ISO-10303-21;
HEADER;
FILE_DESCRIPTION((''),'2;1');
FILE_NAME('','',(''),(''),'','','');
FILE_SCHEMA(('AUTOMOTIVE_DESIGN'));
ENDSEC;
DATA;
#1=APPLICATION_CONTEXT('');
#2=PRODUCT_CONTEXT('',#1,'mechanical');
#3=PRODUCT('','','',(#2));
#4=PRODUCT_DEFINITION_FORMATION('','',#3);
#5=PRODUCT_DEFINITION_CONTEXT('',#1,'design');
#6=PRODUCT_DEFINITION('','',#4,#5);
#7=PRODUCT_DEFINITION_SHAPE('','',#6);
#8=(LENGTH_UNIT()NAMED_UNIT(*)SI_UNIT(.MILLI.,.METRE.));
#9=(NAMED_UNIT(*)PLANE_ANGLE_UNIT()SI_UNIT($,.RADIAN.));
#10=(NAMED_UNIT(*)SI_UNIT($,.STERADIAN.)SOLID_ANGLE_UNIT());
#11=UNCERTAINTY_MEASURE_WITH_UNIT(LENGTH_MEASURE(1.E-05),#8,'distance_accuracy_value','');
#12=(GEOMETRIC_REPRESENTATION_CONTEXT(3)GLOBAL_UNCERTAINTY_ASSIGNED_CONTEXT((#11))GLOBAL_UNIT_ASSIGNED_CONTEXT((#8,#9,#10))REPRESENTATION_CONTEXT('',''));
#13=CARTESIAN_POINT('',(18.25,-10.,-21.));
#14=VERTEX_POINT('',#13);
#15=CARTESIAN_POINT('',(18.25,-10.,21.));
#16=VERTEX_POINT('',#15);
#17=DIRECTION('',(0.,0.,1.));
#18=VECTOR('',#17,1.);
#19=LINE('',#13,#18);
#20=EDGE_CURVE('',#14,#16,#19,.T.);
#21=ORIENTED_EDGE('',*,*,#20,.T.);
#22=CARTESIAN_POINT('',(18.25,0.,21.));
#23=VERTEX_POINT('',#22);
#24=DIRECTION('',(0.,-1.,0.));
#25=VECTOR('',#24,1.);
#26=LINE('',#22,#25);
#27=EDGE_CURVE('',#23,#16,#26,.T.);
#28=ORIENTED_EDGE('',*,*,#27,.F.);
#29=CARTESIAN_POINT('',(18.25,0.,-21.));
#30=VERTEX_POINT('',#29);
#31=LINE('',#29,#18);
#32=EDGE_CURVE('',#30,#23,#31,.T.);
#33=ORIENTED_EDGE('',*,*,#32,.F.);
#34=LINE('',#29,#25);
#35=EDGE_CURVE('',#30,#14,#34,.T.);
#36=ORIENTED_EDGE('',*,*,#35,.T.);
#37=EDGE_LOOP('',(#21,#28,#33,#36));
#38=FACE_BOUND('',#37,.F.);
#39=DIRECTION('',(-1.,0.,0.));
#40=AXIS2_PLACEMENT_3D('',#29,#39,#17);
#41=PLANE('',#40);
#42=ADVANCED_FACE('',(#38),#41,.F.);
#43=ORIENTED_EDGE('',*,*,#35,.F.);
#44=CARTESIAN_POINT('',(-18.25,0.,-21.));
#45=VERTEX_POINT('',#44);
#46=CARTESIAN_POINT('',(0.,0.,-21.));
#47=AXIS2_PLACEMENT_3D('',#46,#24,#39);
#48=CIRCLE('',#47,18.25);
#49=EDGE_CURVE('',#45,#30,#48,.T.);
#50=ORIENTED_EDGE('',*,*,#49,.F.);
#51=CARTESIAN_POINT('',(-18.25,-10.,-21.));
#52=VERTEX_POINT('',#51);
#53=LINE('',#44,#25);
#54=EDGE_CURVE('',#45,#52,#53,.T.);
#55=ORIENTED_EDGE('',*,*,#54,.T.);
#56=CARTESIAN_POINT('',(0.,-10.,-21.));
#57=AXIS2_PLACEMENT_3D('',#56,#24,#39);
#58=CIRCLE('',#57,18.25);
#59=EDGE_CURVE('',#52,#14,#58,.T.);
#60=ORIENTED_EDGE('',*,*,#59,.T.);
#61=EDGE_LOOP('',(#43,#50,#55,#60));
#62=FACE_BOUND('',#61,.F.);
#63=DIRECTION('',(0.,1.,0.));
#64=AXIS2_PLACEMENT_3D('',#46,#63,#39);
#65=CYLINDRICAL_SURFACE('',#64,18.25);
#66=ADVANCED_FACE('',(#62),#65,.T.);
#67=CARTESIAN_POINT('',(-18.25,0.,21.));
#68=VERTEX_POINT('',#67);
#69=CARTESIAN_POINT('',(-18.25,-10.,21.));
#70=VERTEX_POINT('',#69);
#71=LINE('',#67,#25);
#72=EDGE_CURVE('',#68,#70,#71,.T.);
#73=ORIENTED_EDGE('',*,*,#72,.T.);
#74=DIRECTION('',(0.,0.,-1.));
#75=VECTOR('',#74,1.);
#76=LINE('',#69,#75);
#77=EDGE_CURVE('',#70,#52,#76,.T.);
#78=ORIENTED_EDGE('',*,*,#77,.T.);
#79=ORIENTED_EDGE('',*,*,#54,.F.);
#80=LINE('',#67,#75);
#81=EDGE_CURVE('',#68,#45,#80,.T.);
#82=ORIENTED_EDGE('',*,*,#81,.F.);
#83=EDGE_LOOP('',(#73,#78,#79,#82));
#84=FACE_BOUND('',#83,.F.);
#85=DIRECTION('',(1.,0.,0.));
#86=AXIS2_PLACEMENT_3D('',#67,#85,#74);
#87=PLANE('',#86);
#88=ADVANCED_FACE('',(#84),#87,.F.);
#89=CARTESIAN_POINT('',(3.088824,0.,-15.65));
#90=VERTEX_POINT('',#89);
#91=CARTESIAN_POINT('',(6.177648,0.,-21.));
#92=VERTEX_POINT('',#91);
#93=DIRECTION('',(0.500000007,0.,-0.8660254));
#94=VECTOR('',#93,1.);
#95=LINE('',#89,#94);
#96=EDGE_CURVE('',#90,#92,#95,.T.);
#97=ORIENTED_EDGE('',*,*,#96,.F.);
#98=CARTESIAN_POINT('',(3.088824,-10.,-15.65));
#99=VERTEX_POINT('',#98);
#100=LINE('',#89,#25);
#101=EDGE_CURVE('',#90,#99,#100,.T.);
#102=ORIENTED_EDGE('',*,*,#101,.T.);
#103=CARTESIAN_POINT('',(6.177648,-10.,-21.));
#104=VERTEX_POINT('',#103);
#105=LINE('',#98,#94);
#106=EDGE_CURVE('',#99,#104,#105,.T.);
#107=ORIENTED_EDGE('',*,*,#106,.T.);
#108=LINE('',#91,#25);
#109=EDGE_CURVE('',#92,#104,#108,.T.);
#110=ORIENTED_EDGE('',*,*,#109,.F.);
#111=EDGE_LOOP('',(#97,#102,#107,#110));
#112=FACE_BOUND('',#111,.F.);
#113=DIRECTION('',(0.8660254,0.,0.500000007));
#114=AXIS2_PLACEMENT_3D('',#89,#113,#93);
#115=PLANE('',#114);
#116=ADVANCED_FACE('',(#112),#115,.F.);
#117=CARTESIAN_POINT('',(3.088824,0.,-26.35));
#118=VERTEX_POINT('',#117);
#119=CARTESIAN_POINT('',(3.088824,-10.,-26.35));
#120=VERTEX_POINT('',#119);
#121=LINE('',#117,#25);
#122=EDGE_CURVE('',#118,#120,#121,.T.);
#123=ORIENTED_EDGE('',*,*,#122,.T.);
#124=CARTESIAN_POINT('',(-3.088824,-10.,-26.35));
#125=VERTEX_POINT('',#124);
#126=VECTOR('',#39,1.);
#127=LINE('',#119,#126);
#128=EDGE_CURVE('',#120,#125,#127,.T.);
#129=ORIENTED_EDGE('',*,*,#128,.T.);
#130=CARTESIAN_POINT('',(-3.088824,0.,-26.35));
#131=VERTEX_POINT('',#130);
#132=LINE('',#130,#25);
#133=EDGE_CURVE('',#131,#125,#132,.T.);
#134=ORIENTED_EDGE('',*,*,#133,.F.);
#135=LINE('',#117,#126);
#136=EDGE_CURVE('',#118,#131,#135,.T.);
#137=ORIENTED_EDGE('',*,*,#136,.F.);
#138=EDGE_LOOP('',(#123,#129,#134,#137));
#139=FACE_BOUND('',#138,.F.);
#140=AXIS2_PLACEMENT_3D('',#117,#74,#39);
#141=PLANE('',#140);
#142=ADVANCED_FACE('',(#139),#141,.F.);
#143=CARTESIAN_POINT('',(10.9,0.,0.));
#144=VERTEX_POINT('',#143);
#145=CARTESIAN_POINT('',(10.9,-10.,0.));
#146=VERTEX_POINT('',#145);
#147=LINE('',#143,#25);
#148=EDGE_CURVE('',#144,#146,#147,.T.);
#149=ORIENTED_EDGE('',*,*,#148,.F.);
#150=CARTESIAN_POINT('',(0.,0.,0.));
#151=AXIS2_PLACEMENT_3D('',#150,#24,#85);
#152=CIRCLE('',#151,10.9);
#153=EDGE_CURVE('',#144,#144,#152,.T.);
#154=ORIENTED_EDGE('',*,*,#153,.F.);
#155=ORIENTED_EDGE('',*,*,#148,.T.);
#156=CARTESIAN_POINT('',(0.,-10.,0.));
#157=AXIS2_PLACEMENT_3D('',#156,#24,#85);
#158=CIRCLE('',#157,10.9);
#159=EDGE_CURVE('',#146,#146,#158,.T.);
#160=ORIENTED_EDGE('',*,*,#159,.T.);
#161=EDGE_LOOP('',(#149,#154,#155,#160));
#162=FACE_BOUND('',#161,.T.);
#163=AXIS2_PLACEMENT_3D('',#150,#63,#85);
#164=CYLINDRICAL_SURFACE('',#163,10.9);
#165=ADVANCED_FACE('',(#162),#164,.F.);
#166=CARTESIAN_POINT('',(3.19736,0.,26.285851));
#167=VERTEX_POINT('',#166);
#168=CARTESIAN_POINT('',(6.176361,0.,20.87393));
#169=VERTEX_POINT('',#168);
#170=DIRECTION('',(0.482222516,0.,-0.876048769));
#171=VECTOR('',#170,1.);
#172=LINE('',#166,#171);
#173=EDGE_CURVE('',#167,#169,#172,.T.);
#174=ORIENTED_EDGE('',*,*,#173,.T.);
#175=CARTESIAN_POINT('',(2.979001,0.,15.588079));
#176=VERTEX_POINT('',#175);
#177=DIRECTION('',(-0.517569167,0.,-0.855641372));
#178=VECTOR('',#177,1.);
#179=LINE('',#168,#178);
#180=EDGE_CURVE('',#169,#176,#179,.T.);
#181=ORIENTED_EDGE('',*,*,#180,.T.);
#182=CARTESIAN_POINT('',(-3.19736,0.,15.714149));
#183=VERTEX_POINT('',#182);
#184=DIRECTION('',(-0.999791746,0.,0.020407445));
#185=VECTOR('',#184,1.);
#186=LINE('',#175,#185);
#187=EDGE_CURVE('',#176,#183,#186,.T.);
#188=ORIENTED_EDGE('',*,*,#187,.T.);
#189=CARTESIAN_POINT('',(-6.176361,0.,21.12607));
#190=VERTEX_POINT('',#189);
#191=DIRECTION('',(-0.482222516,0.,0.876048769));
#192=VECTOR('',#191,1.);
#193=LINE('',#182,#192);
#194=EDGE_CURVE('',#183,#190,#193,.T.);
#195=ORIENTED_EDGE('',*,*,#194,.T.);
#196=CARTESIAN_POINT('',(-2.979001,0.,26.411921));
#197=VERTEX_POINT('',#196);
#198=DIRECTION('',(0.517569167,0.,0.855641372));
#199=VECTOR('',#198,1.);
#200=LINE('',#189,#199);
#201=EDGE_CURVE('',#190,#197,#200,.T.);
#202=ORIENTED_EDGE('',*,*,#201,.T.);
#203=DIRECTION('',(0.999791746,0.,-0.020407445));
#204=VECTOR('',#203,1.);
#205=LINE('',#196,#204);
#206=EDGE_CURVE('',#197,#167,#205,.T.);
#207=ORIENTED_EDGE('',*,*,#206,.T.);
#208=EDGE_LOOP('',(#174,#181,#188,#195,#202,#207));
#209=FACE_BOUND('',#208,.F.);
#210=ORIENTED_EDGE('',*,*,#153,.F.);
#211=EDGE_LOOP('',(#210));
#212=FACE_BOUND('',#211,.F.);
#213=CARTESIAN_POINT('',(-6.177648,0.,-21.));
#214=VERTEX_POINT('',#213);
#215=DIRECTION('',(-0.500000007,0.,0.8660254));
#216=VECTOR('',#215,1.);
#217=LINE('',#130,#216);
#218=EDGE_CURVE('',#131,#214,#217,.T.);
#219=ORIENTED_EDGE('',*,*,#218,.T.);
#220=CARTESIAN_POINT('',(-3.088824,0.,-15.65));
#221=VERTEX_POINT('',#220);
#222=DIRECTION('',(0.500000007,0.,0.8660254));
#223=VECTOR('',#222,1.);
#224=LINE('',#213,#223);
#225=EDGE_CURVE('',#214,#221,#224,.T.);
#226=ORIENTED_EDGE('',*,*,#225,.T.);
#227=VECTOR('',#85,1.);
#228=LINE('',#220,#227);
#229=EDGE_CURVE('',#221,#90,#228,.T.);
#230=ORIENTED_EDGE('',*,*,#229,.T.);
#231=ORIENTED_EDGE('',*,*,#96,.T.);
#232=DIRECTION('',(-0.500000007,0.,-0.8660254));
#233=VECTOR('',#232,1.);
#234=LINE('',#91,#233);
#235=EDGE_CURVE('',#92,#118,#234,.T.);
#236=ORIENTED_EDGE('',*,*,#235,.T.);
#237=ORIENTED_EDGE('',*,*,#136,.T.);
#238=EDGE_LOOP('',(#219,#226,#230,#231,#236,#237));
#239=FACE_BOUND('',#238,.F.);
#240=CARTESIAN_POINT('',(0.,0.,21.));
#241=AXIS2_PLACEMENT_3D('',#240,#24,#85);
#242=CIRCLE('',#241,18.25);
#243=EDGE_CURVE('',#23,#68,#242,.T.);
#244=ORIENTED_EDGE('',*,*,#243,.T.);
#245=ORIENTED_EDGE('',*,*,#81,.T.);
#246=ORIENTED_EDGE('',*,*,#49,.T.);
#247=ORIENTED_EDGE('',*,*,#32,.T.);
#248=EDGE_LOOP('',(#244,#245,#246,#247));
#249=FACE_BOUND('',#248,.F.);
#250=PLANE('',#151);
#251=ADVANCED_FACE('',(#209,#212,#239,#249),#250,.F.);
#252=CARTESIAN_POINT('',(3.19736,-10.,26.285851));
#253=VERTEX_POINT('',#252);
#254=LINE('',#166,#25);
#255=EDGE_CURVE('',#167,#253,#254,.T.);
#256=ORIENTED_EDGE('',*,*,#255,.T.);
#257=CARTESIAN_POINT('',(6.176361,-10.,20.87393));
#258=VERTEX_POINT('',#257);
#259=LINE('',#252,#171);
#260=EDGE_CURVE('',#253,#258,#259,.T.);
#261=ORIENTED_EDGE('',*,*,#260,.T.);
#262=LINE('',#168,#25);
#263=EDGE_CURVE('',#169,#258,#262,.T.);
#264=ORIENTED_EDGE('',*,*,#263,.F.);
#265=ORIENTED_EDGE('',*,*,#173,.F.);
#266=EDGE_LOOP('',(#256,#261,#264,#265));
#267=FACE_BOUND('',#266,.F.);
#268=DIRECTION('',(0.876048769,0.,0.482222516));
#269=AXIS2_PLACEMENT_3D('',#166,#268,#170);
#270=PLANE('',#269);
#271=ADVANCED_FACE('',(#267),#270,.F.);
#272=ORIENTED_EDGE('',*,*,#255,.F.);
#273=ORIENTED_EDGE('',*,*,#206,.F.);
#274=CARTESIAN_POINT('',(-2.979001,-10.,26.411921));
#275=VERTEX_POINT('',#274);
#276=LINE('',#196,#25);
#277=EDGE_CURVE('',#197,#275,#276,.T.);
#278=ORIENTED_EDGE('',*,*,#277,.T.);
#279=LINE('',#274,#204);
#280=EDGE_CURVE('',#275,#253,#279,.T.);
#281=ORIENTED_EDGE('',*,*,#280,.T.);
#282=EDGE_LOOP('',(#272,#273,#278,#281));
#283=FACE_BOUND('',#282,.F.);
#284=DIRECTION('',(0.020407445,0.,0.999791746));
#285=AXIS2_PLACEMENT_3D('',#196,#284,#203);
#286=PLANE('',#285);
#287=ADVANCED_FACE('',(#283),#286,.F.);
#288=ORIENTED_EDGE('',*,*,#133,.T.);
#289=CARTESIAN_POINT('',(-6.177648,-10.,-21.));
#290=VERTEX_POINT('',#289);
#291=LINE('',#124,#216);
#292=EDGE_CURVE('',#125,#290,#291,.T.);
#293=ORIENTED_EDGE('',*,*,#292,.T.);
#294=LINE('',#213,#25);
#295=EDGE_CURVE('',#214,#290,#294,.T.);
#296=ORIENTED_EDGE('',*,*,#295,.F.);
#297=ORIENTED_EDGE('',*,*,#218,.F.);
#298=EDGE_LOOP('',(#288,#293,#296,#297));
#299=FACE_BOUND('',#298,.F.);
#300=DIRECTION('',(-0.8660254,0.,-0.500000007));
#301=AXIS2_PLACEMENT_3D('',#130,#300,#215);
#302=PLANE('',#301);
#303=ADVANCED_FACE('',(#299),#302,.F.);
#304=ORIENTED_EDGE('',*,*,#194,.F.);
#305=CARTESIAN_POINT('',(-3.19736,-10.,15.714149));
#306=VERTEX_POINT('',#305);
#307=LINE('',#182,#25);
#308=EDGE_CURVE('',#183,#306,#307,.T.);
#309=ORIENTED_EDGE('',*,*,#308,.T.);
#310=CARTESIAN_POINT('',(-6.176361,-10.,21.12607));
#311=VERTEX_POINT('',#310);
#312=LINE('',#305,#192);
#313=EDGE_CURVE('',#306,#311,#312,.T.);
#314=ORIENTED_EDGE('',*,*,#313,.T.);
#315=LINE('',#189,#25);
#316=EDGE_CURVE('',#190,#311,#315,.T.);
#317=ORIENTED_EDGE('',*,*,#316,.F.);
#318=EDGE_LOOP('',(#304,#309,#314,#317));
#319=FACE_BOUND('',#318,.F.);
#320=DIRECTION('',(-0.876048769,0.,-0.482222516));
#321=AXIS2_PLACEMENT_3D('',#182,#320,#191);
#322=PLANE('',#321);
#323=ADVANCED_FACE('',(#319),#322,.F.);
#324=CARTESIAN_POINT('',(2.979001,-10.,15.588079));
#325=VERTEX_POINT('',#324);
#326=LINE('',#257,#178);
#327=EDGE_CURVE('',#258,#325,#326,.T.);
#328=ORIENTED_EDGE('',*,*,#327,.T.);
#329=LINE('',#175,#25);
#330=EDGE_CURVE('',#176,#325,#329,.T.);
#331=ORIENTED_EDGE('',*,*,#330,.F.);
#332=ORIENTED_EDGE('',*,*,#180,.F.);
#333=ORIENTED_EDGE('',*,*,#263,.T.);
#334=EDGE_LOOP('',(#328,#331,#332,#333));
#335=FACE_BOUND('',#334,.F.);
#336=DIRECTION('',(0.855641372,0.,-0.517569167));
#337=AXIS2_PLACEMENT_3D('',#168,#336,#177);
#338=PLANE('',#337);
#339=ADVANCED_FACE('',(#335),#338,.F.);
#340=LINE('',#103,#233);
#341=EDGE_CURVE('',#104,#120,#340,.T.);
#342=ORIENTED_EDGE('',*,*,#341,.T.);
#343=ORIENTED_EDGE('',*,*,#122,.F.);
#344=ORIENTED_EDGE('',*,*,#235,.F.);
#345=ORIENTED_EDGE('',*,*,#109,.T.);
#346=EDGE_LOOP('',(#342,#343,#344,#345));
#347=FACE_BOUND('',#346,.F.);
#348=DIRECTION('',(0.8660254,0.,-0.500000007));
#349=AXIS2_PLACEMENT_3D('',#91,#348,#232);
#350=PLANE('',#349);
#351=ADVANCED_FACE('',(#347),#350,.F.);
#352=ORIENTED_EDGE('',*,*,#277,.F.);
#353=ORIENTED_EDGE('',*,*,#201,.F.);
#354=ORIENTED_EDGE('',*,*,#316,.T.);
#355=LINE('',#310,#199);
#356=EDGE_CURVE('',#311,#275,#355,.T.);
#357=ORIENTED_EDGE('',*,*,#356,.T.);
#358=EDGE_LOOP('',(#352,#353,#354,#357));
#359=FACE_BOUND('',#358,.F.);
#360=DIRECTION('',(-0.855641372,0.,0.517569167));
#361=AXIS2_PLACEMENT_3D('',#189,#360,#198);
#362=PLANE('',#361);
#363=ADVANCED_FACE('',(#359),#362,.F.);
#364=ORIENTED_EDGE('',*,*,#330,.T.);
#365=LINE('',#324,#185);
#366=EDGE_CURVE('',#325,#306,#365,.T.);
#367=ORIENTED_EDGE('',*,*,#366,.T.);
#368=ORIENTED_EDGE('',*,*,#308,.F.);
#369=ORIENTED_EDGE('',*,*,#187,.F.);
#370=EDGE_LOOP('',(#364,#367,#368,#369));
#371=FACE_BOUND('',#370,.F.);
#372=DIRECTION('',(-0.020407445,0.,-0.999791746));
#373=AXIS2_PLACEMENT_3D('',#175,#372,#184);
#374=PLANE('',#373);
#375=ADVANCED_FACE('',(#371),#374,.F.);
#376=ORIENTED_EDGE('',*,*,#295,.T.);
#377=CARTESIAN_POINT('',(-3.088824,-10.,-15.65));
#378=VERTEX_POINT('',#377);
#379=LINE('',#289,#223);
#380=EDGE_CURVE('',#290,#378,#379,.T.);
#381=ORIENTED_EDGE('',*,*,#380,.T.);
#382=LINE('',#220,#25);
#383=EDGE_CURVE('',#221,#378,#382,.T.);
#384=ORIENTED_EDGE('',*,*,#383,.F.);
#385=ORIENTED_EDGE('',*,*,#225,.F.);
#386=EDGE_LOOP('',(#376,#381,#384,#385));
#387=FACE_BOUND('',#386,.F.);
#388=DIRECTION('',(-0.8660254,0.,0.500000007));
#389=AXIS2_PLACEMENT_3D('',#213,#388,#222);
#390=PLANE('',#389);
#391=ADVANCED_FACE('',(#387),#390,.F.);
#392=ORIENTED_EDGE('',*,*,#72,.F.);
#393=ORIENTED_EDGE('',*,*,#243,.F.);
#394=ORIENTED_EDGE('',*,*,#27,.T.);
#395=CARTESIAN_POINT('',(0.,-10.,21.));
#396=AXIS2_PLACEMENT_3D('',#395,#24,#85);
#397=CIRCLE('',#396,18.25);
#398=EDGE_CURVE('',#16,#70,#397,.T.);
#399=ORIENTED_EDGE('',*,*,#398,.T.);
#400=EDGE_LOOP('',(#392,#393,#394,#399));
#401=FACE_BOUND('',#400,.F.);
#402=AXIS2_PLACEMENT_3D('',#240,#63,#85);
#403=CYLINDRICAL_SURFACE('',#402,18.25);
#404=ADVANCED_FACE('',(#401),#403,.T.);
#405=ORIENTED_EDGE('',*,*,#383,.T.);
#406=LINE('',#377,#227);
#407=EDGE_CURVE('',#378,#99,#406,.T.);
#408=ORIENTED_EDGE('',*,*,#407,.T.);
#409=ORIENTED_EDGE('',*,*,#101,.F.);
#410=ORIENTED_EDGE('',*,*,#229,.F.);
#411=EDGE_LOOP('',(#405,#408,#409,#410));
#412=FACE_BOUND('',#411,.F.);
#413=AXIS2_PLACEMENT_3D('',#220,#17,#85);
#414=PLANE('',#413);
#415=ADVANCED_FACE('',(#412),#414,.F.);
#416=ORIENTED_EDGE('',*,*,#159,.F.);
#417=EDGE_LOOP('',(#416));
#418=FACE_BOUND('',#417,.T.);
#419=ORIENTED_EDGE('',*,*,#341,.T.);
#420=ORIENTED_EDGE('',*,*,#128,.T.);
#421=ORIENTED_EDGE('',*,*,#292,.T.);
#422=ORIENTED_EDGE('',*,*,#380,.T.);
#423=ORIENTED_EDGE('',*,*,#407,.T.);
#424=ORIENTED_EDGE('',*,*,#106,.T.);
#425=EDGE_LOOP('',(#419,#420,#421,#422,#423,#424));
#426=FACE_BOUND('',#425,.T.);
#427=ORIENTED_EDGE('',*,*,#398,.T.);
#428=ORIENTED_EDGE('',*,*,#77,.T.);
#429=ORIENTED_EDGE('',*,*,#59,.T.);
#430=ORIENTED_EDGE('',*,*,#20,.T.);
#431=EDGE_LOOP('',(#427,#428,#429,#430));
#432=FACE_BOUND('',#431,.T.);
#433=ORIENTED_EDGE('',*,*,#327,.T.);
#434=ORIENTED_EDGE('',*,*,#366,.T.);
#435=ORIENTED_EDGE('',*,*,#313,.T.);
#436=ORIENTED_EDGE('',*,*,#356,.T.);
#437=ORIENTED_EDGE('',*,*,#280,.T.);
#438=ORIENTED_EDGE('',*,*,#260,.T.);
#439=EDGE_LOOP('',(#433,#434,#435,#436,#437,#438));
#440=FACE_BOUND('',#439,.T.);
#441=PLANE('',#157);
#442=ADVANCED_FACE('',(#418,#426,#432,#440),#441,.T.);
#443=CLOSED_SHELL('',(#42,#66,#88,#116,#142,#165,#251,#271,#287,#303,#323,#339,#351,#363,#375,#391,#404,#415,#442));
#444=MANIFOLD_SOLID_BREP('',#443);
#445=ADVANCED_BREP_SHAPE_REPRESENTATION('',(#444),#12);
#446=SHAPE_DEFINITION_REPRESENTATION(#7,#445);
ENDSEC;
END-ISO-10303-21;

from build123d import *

# Parameters (mm, degrees)
F0_R     = 10.9
F1_DEPTH = 10


with BuildPart() as f1:
    # F0 (on Front) → F1 (new body)
    with BuildSketch(Plane.XZ):
        with BuildLine():
            Line((-18.25, 21), (-18.25, -21))
            ThreePointArc((-18.25, -21), (0, -39.25), (18.25, -21))
            Line((18.25, -21), (18.25, 21))
            ThreePointArc((18.25, 21), (0, 39.25), (-18.25, 21))
        make_face()
        Polygon((-6.177648, -21), (-3.088824, -15.65), (3.088824, -15.65), (6.177648, -21), (3.088824, -26.35), (-3.088824, -26.35), align=None, mode=Mode.SUBTRACT)
        Polygon((-2.979001, 26.411921), (3.19736, 26.285851), (6.176361, 20.87393), (2.979001, 15.588079), (-3.19736, 15.714149), (-6.176361, 21.12607), align=None, mode=Mode.SUBTRACT)
        Circle(F0_R, mode=Mode.SUBTRACT)
    extrude(amount=F1_DEPTH)


solid = f1.part
